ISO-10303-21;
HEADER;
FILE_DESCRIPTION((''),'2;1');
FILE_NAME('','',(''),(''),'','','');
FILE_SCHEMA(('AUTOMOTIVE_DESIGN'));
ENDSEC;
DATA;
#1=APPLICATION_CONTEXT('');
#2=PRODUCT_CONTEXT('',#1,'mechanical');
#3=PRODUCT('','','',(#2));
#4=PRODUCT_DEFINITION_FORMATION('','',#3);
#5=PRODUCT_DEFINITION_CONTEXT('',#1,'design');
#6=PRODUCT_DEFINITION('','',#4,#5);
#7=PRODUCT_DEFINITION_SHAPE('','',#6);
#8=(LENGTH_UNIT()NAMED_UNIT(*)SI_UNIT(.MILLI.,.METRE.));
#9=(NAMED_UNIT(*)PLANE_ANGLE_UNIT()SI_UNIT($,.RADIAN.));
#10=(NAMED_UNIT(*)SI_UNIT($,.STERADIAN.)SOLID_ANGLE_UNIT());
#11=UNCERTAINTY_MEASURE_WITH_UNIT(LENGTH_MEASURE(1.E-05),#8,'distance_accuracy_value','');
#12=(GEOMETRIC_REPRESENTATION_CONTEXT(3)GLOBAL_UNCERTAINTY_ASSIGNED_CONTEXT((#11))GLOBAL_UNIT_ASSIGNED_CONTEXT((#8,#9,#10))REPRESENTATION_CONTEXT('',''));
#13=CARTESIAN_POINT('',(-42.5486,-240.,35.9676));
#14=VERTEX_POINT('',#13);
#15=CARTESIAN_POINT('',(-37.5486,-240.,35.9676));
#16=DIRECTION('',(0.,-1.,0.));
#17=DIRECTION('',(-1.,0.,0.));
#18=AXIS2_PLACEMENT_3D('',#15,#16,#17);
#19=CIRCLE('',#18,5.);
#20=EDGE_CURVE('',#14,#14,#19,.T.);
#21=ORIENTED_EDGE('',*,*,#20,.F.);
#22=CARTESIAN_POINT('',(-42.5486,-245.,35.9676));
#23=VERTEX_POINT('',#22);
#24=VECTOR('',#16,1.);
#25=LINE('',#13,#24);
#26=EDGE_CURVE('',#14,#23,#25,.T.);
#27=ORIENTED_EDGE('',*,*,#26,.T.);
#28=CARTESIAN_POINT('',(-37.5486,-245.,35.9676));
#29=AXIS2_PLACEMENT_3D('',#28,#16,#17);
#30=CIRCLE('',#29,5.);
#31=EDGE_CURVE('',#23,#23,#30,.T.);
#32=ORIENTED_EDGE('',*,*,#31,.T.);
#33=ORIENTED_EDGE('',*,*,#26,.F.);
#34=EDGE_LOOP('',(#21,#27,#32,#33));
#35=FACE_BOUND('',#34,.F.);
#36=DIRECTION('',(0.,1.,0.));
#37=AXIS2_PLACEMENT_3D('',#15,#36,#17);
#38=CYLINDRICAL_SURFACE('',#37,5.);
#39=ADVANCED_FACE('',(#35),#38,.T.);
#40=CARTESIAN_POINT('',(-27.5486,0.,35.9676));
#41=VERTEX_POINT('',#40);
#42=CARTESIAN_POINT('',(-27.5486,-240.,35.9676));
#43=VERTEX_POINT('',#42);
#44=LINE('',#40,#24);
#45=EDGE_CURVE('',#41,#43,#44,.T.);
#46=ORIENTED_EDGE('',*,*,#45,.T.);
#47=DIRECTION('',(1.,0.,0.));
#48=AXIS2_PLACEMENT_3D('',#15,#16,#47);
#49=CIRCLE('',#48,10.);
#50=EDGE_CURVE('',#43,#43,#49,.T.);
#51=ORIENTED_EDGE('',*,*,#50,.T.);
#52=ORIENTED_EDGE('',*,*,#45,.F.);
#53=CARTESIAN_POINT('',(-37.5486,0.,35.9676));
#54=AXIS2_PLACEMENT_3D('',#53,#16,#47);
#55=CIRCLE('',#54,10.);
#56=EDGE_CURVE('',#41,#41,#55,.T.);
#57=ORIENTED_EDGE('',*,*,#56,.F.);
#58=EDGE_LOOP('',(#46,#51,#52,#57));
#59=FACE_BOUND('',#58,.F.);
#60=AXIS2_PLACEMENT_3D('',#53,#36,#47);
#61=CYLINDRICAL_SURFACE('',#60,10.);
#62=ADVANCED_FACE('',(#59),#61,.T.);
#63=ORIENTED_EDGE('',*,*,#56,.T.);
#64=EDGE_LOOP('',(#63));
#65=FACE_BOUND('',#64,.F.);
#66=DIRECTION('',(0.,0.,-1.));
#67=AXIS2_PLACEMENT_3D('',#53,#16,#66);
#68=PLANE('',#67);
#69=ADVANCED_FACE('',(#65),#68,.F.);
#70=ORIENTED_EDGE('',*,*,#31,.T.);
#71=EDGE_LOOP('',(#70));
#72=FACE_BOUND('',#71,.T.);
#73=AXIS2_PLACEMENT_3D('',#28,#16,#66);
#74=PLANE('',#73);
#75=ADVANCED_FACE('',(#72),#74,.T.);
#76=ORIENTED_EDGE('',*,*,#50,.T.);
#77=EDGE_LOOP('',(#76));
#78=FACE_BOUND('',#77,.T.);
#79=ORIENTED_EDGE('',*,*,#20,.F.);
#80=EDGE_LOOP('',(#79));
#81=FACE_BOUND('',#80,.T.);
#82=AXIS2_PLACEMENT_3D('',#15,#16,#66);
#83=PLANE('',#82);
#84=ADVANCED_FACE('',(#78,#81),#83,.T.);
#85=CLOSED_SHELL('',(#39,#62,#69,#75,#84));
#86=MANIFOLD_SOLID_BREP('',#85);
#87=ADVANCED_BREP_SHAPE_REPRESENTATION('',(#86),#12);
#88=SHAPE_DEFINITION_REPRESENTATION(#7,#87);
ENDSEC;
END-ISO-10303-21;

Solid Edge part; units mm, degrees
sketch "Sketch1" plane through (0, 0, 0) normal (0, -1, 0) x (1, 0, 0)
  circle A0 centre (-37.5486, 35.9676) radius 10
  dimension "D1" = 20
extrude "Protrusion1" add sketch "Sketch1" along normal blind 240
sketch "Sketch2" plane through (-37.5486, -240, 35.9676) normal (0, -1, 0) x (-1, 0, 0)
  circle A0 centre (0, 0) radius 5
  dimension "D1" = 10
extrude "ExtrudedProtrusion_2" add sketch "Sketch2" along normal blind 5
properties material "Aluminum, 6061-T6"
